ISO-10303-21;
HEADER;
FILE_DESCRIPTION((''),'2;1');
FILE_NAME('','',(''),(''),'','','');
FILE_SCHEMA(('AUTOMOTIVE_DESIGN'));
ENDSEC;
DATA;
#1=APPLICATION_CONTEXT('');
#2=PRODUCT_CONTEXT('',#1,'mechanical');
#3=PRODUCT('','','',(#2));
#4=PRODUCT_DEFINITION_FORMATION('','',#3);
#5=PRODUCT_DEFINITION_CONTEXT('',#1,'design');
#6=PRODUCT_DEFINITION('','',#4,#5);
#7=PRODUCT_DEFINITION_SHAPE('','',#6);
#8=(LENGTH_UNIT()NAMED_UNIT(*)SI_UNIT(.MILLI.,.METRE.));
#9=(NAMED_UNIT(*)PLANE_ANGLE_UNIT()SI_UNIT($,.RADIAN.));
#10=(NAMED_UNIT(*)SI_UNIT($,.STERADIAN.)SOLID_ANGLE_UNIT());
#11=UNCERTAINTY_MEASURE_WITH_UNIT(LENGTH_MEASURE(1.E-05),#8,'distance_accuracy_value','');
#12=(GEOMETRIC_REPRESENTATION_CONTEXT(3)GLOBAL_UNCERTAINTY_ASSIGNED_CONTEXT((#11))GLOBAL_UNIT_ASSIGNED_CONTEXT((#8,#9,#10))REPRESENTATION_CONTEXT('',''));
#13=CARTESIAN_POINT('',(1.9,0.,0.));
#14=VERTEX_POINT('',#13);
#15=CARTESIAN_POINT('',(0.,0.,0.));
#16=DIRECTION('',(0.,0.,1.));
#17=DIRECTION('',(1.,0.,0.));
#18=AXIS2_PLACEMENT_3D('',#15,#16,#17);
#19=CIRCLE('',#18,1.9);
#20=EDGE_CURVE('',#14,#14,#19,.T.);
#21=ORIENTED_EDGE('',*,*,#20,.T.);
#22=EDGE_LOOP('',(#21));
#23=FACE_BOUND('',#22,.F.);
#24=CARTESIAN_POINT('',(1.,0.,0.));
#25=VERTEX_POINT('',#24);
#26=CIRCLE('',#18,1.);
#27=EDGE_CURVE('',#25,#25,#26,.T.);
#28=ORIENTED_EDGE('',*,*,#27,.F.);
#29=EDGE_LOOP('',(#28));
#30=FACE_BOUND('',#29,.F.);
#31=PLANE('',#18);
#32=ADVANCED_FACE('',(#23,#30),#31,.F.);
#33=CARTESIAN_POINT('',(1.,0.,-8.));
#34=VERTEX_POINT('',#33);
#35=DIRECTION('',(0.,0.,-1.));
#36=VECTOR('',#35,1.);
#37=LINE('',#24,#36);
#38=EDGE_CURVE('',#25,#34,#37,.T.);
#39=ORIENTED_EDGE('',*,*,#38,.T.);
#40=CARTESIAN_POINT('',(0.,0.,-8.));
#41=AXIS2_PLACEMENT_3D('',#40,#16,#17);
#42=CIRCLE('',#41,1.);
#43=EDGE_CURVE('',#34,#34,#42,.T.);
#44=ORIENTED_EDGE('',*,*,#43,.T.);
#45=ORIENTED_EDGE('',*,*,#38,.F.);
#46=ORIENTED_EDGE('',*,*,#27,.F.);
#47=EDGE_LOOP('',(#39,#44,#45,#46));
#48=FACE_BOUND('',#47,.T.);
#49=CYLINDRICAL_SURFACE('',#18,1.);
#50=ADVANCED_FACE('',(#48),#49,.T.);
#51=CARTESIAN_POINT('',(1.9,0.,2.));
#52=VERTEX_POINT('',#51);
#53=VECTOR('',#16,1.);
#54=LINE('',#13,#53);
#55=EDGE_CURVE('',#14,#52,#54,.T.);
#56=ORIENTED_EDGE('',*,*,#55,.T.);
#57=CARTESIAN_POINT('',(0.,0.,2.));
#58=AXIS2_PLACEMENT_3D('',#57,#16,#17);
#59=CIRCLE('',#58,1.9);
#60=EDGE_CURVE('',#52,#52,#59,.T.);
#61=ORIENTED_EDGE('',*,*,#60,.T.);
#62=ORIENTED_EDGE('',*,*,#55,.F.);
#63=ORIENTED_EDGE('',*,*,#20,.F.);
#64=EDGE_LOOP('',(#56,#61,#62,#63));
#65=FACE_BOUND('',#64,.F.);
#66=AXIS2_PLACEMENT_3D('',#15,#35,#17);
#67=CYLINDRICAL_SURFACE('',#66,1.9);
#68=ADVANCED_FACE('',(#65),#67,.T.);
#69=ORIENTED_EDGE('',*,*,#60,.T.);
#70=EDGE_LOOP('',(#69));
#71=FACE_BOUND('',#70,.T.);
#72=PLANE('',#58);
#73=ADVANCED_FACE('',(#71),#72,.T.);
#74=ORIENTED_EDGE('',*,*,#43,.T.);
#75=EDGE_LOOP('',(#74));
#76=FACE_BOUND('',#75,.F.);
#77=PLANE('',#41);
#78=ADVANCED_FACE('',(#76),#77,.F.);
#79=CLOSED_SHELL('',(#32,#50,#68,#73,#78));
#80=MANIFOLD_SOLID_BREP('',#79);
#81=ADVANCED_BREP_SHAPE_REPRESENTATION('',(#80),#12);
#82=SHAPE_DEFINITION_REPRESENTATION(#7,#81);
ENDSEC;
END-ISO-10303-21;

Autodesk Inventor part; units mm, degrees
ref_plane "YZ Plane" through (0, 0, 0) normal (1, 0, 0) x (0, 1, 0)
ref_plane "XZ Plane" through (0, 0, 0) normal (0, 1, 0) x (-1, 0, 0)
ref_plane "XY Plane" through (0, 0, 0) normal (0, 0, 1) x (1, 0, 0)
sketch "スケッチ1" plane through (0, 0, 0) normal (0, 0, 1) x (1, 0, 0)
  circle A0 centre (0, 0) radius 1.9
  circle A1 centre (0, 0) radius 1
  dimension "d0" = 3.8
  dimension "d1" = 2
extrude "押し出し1" add sketch "スケッチ1" along normal blind 2 contours A0 | A1
extrude "押し出し2" add sketch "スケッチ1" against normal blind 8 contours A1
properties part number "M2 キャップスクリュー　8mm" material "鋼"
